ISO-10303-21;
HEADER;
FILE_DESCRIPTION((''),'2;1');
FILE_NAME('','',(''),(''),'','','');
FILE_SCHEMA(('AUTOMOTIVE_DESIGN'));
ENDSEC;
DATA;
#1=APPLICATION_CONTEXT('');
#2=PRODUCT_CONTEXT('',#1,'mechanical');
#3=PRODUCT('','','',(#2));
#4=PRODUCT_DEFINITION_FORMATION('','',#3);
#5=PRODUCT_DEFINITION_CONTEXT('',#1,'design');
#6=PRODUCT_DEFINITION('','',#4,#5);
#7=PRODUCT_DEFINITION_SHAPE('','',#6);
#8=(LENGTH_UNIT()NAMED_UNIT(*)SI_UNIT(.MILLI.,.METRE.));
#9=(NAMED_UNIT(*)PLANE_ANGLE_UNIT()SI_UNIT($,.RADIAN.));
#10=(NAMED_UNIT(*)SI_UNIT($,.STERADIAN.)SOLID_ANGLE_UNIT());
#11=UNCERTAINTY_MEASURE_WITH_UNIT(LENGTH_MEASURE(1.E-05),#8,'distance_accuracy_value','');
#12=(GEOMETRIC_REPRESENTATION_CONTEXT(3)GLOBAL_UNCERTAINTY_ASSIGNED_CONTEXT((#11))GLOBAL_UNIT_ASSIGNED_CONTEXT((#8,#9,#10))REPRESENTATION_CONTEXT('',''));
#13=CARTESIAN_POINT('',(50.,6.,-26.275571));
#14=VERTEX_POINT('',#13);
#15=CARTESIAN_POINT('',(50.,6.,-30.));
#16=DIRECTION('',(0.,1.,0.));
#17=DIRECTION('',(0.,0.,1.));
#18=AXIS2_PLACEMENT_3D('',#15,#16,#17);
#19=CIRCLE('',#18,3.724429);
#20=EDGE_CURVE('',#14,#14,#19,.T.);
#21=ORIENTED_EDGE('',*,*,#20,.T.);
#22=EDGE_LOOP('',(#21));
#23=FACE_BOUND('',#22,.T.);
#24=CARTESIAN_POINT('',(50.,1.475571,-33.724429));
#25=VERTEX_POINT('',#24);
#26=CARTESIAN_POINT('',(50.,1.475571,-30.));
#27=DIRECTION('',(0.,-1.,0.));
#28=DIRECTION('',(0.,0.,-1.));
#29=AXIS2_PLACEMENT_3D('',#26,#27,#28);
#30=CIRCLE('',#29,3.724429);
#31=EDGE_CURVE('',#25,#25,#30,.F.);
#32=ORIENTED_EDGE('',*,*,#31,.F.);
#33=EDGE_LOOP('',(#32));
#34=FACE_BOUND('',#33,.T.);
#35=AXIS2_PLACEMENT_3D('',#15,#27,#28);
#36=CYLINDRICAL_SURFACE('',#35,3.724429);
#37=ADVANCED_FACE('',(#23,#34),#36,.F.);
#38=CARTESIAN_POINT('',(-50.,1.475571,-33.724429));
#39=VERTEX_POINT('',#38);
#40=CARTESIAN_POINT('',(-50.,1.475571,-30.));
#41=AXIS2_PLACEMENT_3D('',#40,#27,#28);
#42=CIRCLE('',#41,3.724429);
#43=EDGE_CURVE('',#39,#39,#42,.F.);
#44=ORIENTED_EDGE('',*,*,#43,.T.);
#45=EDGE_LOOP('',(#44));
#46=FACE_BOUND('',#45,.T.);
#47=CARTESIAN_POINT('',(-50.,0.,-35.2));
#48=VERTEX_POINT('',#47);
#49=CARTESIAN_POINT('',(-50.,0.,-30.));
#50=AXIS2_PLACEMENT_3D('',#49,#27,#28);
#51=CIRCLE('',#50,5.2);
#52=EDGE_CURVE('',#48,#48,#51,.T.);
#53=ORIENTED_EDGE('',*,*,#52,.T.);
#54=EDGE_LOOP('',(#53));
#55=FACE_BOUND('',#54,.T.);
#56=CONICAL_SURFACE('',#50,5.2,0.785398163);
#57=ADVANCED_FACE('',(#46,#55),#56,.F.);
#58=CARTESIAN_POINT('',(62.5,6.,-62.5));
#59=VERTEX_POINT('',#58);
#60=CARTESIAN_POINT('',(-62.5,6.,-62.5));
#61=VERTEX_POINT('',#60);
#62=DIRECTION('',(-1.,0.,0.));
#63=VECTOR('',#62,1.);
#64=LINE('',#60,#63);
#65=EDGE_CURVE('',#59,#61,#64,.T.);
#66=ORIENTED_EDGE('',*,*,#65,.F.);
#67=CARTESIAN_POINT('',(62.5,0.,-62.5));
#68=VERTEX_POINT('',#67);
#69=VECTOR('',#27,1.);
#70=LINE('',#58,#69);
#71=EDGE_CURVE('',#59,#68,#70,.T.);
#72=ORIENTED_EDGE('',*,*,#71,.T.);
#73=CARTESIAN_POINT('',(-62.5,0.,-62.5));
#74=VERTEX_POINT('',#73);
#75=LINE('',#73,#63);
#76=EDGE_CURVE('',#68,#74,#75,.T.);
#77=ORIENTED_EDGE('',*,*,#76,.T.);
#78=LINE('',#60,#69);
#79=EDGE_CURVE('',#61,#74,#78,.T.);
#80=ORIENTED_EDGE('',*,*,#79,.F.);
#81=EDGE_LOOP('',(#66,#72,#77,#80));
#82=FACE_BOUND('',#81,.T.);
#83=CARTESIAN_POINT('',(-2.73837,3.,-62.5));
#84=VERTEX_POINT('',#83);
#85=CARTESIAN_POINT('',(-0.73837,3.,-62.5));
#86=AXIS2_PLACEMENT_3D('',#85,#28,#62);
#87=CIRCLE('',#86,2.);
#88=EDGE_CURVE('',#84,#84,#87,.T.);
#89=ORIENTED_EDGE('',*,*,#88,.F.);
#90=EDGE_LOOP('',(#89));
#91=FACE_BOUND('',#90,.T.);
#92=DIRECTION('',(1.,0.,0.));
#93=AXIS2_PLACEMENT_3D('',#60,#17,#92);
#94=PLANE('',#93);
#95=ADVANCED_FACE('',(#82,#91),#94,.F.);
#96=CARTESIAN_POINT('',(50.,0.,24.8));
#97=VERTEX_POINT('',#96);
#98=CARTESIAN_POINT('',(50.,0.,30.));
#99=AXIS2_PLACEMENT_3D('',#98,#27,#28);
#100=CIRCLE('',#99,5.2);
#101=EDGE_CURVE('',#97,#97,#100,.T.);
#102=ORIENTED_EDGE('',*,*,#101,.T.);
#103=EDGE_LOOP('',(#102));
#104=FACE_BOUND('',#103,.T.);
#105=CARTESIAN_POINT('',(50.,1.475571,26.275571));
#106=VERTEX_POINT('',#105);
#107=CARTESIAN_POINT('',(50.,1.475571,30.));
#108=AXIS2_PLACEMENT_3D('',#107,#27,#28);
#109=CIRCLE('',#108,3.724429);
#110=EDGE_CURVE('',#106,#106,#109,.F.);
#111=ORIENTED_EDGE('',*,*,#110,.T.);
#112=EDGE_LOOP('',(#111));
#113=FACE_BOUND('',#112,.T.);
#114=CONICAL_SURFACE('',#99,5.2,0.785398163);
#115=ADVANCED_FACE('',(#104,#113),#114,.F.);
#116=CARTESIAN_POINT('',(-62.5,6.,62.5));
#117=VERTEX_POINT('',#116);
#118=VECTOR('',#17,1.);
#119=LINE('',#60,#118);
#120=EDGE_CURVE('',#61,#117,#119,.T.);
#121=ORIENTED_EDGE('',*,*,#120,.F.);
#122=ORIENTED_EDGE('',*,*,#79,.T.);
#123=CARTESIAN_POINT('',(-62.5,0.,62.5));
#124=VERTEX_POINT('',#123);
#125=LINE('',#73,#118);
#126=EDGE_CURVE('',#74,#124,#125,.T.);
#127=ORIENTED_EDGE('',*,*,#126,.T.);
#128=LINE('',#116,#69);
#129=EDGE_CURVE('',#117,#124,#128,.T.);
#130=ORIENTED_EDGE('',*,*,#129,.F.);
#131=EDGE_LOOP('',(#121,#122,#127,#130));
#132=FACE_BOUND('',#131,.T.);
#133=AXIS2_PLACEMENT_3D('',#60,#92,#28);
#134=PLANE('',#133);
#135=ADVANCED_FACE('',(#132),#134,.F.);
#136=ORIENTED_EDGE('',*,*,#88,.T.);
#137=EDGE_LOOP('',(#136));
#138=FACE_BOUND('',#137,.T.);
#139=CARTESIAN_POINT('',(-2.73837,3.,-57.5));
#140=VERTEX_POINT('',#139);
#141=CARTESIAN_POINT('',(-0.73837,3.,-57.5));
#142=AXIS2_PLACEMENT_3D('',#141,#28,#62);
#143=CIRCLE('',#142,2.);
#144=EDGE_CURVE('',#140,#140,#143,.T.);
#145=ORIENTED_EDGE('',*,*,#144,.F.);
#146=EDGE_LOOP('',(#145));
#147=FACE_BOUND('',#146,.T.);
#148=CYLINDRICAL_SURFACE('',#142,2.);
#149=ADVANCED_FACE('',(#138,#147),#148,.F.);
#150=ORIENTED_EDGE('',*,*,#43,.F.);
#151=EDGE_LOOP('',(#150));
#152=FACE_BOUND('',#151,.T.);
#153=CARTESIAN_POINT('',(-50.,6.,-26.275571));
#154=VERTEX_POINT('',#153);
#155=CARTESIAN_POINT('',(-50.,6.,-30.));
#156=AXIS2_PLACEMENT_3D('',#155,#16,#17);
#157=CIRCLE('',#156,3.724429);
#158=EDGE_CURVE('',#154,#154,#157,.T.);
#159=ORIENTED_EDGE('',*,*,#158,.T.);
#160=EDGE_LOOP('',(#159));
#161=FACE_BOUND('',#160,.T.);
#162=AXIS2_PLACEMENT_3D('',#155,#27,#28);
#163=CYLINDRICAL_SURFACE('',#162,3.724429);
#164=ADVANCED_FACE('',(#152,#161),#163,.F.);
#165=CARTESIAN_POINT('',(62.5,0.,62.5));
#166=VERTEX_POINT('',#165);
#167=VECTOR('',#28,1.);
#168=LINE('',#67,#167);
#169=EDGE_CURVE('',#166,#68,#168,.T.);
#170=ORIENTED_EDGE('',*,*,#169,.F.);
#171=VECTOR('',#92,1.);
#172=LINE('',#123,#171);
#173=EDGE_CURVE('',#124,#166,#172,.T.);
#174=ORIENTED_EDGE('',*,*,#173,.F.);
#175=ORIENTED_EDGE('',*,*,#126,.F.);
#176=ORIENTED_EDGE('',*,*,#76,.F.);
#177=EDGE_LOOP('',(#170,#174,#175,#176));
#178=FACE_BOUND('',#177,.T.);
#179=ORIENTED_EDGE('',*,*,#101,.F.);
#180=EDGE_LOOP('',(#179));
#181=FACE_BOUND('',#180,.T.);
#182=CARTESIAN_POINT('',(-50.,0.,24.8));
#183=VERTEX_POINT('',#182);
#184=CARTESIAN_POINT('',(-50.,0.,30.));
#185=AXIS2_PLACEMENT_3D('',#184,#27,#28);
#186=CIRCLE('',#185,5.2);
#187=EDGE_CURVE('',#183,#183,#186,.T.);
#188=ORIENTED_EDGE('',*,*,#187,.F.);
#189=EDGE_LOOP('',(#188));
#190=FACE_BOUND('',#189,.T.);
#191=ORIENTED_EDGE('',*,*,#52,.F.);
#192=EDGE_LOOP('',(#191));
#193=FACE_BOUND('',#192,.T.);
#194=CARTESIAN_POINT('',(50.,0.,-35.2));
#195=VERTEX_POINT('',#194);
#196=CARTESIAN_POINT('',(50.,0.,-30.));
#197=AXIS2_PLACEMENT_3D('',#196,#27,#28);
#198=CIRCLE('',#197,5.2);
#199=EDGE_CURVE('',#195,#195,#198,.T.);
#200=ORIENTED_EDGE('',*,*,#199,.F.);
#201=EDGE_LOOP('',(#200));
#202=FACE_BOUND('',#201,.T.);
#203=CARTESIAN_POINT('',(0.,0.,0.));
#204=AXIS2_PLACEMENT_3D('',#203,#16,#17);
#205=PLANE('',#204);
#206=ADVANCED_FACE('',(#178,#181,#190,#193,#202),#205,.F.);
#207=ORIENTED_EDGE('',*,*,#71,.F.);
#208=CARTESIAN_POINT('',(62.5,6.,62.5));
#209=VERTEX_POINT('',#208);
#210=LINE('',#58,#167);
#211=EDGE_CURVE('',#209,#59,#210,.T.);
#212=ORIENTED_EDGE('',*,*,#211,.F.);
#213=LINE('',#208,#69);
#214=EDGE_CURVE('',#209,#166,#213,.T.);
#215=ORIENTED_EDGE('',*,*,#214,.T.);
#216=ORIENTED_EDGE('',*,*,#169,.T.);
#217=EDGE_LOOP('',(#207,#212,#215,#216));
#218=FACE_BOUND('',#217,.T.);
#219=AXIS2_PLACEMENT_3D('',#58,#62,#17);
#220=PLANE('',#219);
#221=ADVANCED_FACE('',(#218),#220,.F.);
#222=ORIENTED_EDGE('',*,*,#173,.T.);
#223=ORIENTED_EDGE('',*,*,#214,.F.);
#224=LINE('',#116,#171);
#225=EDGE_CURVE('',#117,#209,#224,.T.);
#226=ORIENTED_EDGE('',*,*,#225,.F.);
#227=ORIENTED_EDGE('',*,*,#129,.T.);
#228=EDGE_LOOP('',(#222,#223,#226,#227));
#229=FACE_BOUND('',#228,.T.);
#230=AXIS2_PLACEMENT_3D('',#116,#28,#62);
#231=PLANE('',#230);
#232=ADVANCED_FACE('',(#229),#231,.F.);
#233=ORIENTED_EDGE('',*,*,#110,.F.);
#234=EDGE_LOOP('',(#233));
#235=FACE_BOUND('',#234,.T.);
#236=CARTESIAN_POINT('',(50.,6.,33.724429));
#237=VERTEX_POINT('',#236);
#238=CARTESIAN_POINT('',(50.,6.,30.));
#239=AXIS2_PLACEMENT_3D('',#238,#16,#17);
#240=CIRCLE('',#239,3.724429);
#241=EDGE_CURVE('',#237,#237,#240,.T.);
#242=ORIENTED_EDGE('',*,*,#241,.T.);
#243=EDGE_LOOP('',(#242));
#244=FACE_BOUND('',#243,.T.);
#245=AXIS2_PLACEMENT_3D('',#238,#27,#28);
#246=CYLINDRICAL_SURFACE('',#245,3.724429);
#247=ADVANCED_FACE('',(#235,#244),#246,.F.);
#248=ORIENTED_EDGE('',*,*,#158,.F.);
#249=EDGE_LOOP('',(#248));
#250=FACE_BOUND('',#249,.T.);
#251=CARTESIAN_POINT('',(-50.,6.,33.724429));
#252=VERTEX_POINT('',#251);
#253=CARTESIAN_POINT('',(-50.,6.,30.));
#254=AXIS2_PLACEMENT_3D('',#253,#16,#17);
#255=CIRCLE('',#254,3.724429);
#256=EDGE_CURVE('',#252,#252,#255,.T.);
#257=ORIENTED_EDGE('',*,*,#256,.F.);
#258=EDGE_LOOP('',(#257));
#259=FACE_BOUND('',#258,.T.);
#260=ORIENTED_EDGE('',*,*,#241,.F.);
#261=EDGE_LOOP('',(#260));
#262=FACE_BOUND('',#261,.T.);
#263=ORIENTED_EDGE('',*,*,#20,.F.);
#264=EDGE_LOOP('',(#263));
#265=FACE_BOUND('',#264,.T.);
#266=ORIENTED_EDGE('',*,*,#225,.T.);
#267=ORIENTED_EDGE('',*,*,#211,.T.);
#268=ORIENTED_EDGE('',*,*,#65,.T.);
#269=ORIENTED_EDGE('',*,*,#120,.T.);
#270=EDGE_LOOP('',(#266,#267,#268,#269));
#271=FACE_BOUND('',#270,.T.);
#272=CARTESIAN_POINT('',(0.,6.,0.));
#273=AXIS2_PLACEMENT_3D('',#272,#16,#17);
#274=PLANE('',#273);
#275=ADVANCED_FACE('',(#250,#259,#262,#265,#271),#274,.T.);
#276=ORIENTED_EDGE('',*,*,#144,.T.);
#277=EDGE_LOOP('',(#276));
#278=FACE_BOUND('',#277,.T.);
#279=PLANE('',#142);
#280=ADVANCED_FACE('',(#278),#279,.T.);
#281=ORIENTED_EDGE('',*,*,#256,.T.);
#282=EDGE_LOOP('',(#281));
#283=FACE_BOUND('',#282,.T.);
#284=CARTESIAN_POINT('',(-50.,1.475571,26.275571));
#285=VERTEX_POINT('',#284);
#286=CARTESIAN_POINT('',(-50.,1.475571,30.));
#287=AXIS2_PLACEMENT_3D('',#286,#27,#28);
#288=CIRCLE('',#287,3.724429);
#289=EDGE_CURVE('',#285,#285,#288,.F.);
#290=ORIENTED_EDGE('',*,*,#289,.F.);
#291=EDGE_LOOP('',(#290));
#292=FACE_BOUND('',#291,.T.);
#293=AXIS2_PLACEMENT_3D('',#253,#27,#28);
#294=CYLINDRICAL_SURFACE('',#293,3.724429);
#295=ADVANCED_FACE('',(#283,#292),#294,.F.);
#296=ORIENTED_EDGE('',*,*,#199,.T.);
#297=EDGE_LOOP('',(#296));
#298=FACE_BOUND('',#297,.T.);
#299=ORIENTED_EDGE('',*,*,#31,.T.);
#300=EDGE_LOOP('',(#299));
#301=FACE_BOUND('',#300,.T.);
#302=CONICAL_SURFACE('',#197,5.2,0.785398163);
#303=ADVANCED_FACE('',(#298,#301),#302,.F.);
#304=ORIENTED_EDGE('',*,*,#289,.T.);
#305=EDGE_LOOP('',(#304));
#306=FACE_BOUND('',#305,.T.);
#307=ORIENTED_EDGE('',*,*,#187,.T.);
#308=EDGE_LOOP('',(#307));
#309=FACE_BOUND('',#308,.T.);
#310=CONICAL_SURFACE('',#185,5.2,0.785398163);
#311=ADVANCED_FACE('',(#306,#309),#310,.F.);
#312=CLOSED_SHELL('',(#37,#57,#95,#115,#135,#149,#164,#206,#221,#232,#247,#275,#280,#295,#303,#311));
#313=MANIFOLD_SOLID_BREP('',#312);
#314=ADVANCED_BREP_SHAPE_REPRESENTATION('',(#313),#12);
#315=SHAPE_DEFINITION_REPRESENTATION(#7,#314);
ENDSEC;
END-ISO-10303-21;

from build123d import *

# Parameters (mm, degrees)
SKETCH1_W                                       = 125
SKETCH1_H                                       = 125
SKETCH1_R                                       = 3.724428854
BOSS_EXTRUDE2_DEPTH                             = 6
SKETCH3_R                                       = 2
CUT_EXTRUDE1_DEPTH                              = 5
CSK_FOR_M5_FLAT_HEAD_MACHINE_SCREW1_D           = 5.8
CSK_FOR_M5_FLAT_HEAD_MACHINE_SCREW1_DEPTH       = 6
CSK_FOR_M5_FLAT_HEAD_MACHINE_SCREW1_CSINK_D     = 10.4
CSK_FOR_M5_FLAT_HEAD_MACHINE_SCREW1_CSINK_ANGLE = 90
CSK_FOR_M5_FLAT_HEAD_MACHINE_SCREW1_TIP         = 1.742495795
CSK_FOR_M5_FLAT_HEAD_MACHINE_SCREW3_D           = 5.8
CSK_FOR_M5_FLAT_HEAD_MACHINE_SCREW3_DEPTH       = 6
CSK_FOR_M5_FLAT_HEAD_MACHINE_SCREW3_CSINK_D     = 10.4
CSK_FOR_M5_FLAT_HEAD_MACHINE_SCREW3_CSINK_ANGLE = 90
CSK_FOR_M5_FLAT_HEAD_MACHINE_SCREW3_TIP         = 1.742495795
CSK_FOR_M5_FLAT_HEAD_MACHINE_SCREW4_D           = 5.8
CSK_FOR_M5_FLAT_HEAD_MACHINE_SCREW4_DEPTH       = 6
CSK_FOR_M5_FLAT_HEAD_MACHINE_SCREW4_CSINK_D     = 10.4
CSK_FOR_M5_FLAT_HEAD_MACHINE_SCREW4_CSINK_ANGLE = 90
CSK_FOR_M5_FLAT_HEAD_MACHINE_SCREW4_TIP         = 1.742495795
CSK_FOR_M5_FLAT_HEAD_MACHINE_SCREW5_D           = 5.8
CSK_FOR_M5_FLAT_HEAD_MACHINE_SCREW5_DEPTH       = 6
CSK_FOR_M5_FLAT_HEAD_MACHINE_SCREW5_CSINK_D     = 10.4
CSK_FOR_M5_FLAT_HEAD_MACHINE_SCREW5_CSINK_ANGLE = 90
CSK_FOR_M5_FLAT_HEAD_MACHINE_SCREW5_TIP         = 1.742495795


with BuildPart() as part:
    # Sketch1 → Boss-Extrude2 (new body)
    with BuildSketch(Plane(origin=(0, 0, 0), x_dir=(1, 0, 0), z_dir=(0, 1, 0))):
        Rectangle(SKETCH1_W, SKETCH1_H)
        with Locations(Location((50, 30, 0), (0, 0, 270))):
            Circle(SKETCH1_R, mode=Mode.SUBTRACT)
        with Locations(Location((-50, 30, 0), (0, 0, 270))):
            Circle(SKETCH1_R, mode=Mode.SUBTRACT)
        with Locations(Location((-50, -30, 0), (0, 0, 270))):
            Circle(SKETCH1_R, mode=Mode.SUBTRACT)
        with Locations(Location((50, -30, 0), (0, 0, 270))):
            Circle(SKETCH1_R, mode=Mode.SUBTRACT)
    extrude(amount=BOSS_EXTRUDE2_DEPTH)

    # Sketch3 → Cut-Extrude1 (cut)
    with BuildSketch(Plane(origin=(0, 0, -62.5), x_dir=(-1, 0, 0), z_dir=(0, 0, -1))):
        with Locations((0.738370199, 3)):
            Circle(SKETCH3_R)
    extrude(amount=-CUT_EXTRUDE1_DEPTH, mode=Mode.SUBTRACT)

    # CSK for M5 Flat Head Machine Screw1
    with Locations(Plane(origin=(50, 0, -30), x_dir=(0, 0, -1), z_dir=(0, -1, 0))):
        with Locations((0, 0)):
            CounterSinkHole(CSK_FOR_M5_FLAT_HEAD_MACHINE_SCREW1_D / 2, CSK_FOR_M5_FLAT_HEAD_MACHINE_SCREW1_CSINK_D / 2, depth=CSK_FOR_M5_FLAT_HEAD_MACHINE_SCREW1_DEPTH, counter_sink_angle=CSK_FOR_M5_FLAT_HEAD_MACHINE_SCREW1_CSINK_ANGLE)
            with Locations((0, 0, -(CSK_FOR_M5_FLAT_HEAD_MACHINE_SCREW1_DEPTH + CSK_FOR_M5_FLAT_HEAD_MACHINE_SCREW1_TIP / 2))):  # 118° drill point
                Cone(0, CSK_FOR_M5_FLAT_HEAD_MACHINE_SCREW1_D / 2, CSK_FOR_M5_FLAT_HEAD_MACHINE_SCREW1_TIP, mode=Mode.SUBTRACT)

    # CSK for M5 Flat Head Machine Screw3
    with Locations(Plane(origin=(-50, 0, -30), x_dir=(0, 0, -1), z_dir=(0, -1, 0))):
        with Locations((0, 0)):
            CounterSinkHole(CSK_FOR_M5_FLAT_HEAD_MACHINE_SCREW3_D / 2, CSK_FOR_M5_FLAT_HEAD_MACHINE_SCREW3_CSINK_D / 2, depth=CSK_FOR_M5_FLAT_HEAD_MACHINE_SCREW3_DEPTH, counter_sink_angle=CSK_FOR_M5_FLAT_HEAD_MACHINE_SCREW3_CSINK_ANGLE)
            with Locations((0, 0, -(CSK_FOR_M5_FLAT_HEAD_MACHINE_SCREW3_DEPTH + CSK_FOR_M5_FLAT_HEAD_MACHINE_SCREW3_TIP / 2))):  # 118° drill point
                Cone(0, CSK_FOR_M5_FLAT_HEAD_MACHINE_SCREW3_D / 2, CSK_FOR_M5_FLAT_HEAD_MACHINE_SCREW3_TIP, mode=Mode.SUBTRACT)

    # CSK for M5 Flat Head Machine Screw4
    with Locations(Plane(origin=(-50, 0, 30), x_dir=(0, 0, -1), z_dir=(0, -1, 0))):
        with Locations((0, 0)):
            CounterSinkHole(CSK_FOR_M5_FLAT_HEAD_MACHINE_SCREW4_D / 2, CSK_FOR_M5_FLAT_HEAD_MACHINE_SCREW4_CSINK_D / 2, depth=CSK_FOR_M5_FLAT_HEAD_MACHINE_SCREW4_DEPTH, counter_sink_angle=CSK_FOR_M5_FLAT_HEAD_MACHINE_SCREW4_CSINK_ANGLE)
            with Locations((0, 0, -(CSK_FOR_M5_FLAT_HEAD_MACHINE_SCREW4_DEPTH + CSK_FOR_M5_FLAT_HEAD_MACHINE_SCREW4_TIP / 2))):  # 118° drill point
                Cone(0, CSK_FOR_M5_FLAT_HEAD_MACHINE_SCREW4_D / 2, CSK_FOR_M5_FLAT_HEAD_MACHINE_SCREW4_TIP, mode=Mode.SUBTRACT)

    # CSK for M5 Flat Head Machine Screw5
    with Locations(Plane(origin=(50, 0, 30), x_dir=(0, 0, -1), z_dir=(0, -1, 0))):
        with Locations((0, 0)):
            CounterSinkHole(CSK_FOR_M5_FLAT_HEAD_MACHINE_SCREW5_D / 2, CSK_FOR_M5_FLAT_HEAD_MACHINE_SCREW5_CSINK_D / 2, depth=CSK_FOR_M5_FLAT_HEAD_MACHINE_SCREW5_DEPTH, counter_sink_angle=CSK_FOR_M5_FLAT_HEAD_MACHINE_SCREW5_CSINK_ANGLE)
            with Locations((0, 0, -(CSK_FOR_M5_FLAT_HEAD_MACHINE_SCREW5_DEPTH + CSK_FOR_M5_FLAT_HEAD_MACHINE_SCREW5_TIP / 2))):  # 118° drill point
                Cone(0, CSK_FOR_M5_FLAT_HEAD_MACHINE_SCREW5_D / 2, CSK_FOR_M5_FLAT_HEAD_MACHINE_SCREW5_TIP, mode=Mode.SUBTRACT)


solid = part.part
